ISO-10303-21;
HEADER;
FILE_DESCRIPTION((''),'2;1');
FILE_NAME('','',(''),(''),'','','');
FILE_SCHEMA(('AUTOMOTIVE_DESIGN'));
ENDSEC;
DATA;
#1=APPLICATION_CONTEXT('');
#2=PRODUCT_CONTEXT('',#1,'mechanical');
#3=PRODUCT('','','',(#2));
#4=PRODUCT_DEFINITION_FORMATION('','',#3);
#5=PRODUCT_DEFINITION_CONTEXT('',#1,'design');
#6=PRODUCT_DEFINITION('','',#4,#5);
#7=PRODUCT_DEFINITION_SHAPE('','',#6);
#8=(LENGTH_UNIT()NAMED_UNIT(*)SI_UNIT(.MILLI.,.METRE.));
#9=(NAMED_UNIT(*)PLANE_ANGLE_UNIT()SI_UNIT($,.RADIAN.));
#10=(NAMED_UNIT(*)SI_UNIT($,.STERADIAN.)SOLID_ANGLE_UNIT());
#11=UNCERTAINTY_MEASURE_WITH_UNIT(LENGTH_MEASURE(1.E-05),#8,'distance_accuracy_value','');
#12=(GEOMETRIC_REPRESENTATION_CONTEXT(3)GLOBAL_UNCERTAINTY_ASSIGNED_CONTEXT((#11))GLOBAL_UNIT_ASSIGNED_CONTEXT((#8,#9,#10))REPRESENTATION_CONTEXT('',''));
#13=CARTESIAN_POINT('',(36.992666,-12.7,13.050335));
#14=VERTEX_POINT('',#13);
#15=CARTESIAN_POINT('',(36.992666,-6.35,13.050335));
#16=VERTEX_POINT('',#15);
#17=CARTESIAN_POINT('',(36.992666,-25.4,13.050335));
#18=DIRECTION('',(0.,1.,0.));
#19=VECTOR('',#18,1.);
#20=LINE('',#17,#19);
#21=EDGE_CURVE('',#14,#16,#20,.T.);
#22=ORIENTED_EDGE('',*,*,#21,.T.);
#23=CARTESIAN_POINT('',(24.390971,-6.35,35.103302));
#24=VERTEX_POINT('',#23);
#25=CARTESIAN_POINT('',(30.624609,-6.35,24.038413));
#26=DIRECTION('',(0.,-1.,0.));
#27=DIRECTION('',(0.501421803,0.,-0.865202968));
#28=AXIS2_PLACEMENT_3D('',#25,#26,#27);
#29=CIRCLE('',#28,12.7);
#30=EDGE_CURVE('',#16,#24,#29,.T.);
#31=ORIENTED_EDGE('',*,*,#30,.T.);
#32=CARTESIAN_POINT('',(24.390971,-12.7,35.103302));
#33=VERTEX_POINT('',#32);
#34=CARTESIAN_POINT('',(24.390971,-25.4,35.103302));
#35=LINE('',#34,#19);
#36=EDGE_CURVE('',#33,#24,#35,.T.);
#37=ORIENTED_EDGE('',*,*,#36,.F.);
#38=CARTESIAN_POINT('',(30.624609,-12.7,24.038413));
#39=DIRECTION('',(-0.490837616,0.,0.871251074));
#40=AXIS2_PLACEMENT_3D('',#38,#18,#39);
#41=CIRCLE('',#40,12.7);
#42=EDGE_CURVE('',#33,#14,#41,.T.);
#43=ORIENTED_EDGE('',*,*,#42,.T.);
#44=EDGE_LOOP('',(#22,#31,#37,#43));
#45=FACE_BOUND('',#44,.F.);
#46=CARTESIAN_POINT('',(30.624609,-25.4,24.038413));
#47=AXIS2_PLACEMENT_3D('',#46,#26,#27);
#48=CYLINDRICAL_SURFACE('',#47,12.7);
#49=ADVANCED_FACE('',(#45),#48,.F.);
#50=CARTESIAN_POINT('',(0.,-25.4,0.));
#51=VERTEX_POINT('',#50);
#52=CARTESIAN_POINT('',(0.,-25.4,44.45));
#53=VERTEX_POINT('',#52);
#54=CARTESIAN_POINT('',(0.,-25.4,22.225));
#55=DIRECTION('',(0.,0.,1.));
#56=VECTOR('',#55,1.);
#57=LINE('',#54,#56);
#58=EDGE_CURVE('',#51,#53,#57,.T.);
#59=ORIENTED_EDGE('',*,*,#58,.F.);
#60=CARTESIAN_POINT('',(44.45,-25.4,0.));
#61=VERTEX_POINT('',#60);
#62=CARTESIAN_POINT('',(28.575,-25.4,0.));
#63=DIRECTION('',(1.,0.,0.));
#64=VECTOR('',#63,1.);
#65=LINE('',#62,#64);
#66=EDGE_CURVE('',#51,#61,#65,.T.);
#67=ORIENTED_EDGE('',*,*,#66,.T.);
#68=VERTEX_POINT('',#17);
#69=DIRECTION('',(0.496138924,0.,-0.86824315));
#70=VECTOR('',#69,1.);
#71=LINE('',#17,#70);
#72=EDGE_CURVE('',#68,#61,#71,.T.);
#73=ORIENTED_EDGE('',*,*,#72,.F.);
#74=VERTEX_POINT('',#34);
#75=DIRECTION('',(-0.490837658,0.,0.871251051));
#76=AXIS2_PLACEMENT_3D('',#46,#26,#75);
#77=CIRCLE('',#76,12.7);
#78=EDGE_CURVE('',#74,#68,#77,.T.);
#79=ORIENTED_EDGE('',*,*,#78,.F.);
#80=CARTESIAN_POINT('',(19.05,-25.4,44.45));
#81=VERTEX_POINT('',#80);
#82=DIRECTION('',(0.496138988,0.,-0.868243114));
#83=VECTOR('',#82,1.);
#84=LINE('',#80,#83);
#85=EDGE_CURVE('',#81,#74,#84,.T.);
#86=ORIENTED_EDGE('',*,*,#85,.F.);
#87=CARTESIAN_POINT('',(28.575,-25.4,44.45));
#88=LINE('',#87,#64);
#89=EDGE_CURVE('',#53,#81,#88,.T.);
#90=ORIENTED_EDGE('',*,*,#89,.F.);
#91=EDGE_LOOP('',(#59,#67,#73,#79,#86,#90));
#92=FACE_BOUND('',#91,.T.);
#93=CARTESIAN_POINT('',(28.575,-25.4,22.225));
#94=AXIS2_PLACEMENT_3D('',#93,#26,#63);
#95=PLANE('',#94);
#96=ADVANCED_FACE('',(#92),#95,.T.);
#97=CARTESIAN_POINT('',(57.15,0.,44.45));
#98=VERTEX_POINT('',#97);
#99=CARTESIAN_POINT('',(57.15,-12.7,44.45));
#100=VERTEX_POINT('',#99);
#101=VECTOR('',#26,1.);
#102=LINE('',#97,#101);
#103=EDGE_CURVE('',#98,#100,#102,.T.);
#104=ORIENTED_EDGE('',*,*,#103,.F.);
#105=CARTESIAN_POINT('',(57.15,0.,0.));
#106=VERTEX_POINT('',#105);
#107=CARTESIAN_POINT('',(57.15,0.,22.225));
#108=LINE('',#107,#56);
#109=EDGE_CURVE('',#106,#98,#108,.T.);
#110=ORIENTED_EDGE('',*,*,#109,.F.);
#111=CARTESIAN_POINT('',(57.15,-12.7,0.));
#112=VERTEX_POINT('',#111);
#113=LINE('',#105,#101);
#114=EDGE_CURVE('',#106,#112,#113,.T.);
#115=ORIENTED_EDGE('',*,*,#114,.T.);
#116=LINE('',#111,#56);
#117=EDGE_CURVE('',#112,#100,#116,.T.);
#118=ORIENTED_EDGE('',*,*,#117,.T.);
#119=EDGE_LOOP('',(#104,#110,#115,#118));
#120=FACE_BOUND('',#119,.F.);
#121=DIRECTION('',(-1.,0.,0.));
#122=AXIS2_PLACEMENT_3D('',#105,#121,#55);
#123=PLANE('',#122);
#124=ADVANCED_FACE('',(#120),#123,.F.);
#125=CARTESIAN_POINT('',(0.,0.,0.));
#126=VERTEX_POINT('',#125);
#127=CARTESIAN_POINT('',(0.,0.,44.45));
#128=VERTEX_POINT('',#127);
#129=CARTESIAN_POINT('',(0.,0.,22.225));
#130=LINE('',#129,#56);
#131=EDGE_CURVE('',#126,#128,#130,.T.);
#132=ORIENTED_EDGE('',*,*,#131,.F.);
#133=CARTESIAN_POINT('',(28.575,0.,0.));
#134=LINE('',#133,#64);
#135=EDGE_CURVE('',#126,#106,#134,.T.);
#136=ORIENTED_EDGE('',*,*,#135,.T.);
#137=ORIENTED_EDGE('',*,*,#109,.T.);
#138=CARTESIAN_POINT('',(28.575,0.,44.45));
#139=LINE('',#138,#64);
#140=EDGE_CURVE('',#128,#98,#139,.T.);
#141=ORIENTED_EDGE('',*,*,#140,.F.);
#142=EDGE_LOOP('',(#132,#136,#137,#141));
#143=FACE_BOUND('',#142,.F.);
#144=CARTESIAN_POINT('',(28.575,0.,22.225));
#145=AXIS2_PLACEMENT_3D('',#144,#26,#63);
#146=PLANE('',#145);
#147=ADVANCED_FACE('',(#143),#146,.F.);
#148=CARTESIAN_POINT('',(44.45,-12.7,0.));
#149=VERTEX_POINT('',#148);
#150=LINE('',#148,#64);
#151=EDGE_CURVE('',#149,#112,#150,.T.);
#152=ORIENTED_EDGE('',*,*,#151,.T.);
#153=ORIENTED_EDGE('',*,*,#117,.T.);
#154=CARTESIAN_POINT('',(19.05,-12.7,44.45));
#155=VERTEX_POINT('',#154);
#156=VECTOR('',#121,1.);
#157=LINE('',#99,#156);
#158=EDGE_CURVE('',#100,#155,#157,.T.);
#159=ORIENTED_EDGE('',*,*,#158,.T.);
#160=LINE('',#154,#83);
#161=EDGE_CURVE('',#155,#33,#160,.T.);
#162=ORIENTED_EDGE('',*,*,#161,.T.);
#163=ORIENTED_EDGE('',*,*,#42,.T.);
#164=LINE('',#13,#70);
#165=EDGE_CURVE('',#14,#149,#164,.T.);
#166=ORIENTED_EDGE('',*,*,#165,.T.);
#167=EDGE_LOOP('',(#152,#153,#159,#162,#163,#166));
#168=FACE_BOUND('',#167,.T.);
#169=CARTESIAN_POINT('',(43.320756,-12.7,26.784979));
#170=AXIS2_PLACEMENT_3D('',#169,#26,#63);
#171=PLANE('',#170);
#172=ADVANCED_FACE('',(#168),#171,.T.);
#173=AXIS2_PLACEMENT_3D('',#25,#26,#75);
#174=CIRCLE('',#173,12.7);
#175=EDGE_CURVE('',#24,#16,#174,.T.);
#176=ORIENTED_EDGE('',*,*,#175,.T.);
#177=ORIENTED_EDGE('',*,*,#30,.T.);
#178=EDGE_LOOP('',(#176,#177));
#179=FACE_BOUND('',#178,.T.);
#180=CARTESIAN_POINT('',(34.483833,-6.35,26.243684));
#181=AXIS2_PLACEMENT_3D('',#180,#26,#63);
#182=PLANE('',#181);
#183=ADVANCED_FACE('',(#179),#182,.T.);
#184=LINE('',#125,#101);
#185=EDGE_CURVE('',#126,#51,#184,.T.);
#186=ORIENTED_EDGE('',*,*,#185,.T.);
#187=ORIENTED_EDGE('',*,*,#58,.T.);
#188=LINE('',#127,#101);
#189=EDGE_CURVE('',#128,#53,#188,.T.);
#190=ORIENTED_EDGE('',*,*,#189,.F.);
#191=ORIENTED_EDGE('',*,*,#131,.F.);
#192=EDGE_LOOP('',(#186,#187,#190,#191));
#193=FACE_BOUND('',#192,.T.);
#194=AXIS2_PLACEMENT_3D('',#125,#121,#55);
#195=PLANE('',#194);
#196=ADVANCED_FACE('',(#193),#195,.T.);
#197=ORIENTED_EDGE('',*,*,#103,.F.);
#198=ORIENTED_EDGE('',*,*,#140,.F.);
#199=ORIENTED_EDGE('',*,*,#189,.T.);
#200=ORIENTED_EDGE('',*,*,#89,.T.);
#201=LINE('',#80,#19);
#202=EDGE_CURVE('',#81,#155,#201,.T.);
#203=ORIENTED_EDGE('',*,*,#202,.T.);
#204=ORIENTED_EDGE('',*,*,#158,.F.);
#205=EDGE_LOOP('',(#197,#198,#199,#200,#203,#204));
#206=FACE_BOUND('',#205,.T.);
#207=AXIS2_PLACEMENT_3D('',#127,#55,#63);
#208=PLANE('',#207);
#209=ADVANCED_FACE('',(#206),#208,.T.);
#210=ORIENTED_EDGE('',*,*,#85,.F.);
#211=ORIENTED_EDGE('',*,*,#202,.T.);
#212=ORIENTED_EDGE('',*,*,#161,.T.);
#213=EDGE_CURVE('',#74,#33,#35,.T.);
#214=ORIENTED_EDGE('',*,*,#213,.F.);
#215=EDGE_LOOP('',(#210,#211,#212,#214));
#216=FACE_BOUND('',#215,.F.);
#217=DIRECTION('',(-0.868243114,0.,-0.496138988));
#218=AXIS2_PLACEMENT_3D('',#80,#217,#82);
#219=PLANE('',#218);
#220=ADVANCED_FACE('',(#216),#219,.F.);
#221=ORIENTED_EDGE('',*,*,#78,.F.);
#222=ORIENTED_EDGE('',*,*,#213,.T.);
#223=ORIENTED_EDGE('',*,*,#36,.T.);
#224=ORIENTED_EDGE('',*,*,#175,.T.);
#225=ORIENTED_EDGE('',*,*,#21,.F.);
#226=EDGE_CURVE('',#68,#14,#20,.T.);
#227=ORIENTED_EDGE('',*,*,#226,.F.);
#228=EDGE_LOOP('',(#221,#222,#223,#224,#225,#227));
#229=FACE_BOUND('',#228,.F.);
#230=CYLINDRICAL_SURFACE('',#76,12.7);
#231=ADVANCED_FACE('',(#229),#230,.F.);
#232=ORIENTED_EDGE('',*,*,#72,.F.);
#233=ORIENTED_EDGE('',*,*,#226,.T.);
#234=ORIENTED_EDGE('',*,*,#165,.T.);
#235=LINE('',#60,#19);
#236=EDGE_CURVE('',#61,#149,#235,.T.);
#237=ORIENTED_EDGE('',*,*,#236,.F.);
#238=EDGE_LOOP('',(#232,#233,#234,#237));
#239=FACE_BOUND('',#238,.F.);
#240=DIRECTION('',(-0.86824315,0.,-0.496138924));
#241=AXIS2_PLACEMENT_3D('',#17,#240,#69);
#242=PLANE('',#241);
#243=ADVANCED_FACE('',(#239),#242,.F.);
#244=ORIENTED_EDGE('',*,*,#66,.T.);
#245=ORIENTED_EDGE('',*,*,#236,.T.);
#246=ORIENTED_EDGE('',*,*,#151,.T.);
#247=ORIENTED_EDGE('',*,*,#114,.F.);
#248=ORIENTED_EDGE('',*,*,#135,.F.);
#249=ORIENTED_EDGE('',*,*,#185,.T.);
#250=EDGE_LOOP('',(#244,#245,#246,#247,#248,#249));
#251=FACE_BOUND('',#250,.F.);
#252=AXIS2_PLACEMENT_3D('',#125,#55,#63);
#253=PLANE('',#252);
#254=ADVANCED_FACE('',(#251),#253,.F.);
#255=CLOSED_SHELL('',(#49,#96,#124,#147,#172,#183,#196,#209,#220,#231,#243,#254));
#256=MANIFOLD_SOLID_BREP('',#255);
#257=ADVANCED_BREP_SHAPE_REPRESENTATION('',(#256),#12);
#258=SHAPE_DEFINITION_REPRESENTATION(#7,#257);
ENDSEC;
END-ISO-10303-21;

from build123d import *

# Parameters (mm, degrees)
F0_W     = 57.15
F0_H     = 44.45
F1_DEPTH = 25.4
F3_DEPTH = 12.7
F4_DEPTH = 19.05


with BuildPart() as f1:
    # F0 (on Front) → F1 (new body)
    with BuildSketch(Plane.XZ):
        with Locations((28.575, 22.225)):
            Rectangle(F0_W, F0_H)
    extrude(amount=F1_DEPTH)

    # F2 (on face) → F3 (cut)
    with BuildSketch(Plane.XZ.offset(25.4)):
        with BuildLine():
            Line((57.15, 44.45), (19.05, 44.45))
            Line((19.05, 44.45), (24.390971, 35.103302))
            ThreePointArc((24.390971, 35.103302), (41.651297, 30.339378), (36.992666, 13.050335))
            Line((36.992666, 13.050335), (44.45, 0))
            Line((44.45, 0), (57.15, 0))
            Line((57.15, 0), (57.15, 44.45))
        make_face()
    extrude(amount=-F3_DEPTH, mode=Mode.SUBTRACT)

    # F2 (on face) → F4 (cut)
    with BuildSketch(Plane.XZ.offset(25.4)):
        with BuildLine():
            ThreePointArc((36.992666, 13.050335), (41.651297, 30.339378), (24.390971, 35.103302))
            Line((24.390971, 35.103302), (36.992666, 13.050335))
        make_face()
        with BuildLine():
            Line((36.992666, 13.050335), (24.390971, 35.103302))
            ThreePointArc((24.390971, 35.103302), (19.597921, 17.737449), (36.992666, 13.050335))
        make_face()
    extrude(amount=-F4_DEPTH, mode=Mode.SUBTRACT)


solid = f1.part
